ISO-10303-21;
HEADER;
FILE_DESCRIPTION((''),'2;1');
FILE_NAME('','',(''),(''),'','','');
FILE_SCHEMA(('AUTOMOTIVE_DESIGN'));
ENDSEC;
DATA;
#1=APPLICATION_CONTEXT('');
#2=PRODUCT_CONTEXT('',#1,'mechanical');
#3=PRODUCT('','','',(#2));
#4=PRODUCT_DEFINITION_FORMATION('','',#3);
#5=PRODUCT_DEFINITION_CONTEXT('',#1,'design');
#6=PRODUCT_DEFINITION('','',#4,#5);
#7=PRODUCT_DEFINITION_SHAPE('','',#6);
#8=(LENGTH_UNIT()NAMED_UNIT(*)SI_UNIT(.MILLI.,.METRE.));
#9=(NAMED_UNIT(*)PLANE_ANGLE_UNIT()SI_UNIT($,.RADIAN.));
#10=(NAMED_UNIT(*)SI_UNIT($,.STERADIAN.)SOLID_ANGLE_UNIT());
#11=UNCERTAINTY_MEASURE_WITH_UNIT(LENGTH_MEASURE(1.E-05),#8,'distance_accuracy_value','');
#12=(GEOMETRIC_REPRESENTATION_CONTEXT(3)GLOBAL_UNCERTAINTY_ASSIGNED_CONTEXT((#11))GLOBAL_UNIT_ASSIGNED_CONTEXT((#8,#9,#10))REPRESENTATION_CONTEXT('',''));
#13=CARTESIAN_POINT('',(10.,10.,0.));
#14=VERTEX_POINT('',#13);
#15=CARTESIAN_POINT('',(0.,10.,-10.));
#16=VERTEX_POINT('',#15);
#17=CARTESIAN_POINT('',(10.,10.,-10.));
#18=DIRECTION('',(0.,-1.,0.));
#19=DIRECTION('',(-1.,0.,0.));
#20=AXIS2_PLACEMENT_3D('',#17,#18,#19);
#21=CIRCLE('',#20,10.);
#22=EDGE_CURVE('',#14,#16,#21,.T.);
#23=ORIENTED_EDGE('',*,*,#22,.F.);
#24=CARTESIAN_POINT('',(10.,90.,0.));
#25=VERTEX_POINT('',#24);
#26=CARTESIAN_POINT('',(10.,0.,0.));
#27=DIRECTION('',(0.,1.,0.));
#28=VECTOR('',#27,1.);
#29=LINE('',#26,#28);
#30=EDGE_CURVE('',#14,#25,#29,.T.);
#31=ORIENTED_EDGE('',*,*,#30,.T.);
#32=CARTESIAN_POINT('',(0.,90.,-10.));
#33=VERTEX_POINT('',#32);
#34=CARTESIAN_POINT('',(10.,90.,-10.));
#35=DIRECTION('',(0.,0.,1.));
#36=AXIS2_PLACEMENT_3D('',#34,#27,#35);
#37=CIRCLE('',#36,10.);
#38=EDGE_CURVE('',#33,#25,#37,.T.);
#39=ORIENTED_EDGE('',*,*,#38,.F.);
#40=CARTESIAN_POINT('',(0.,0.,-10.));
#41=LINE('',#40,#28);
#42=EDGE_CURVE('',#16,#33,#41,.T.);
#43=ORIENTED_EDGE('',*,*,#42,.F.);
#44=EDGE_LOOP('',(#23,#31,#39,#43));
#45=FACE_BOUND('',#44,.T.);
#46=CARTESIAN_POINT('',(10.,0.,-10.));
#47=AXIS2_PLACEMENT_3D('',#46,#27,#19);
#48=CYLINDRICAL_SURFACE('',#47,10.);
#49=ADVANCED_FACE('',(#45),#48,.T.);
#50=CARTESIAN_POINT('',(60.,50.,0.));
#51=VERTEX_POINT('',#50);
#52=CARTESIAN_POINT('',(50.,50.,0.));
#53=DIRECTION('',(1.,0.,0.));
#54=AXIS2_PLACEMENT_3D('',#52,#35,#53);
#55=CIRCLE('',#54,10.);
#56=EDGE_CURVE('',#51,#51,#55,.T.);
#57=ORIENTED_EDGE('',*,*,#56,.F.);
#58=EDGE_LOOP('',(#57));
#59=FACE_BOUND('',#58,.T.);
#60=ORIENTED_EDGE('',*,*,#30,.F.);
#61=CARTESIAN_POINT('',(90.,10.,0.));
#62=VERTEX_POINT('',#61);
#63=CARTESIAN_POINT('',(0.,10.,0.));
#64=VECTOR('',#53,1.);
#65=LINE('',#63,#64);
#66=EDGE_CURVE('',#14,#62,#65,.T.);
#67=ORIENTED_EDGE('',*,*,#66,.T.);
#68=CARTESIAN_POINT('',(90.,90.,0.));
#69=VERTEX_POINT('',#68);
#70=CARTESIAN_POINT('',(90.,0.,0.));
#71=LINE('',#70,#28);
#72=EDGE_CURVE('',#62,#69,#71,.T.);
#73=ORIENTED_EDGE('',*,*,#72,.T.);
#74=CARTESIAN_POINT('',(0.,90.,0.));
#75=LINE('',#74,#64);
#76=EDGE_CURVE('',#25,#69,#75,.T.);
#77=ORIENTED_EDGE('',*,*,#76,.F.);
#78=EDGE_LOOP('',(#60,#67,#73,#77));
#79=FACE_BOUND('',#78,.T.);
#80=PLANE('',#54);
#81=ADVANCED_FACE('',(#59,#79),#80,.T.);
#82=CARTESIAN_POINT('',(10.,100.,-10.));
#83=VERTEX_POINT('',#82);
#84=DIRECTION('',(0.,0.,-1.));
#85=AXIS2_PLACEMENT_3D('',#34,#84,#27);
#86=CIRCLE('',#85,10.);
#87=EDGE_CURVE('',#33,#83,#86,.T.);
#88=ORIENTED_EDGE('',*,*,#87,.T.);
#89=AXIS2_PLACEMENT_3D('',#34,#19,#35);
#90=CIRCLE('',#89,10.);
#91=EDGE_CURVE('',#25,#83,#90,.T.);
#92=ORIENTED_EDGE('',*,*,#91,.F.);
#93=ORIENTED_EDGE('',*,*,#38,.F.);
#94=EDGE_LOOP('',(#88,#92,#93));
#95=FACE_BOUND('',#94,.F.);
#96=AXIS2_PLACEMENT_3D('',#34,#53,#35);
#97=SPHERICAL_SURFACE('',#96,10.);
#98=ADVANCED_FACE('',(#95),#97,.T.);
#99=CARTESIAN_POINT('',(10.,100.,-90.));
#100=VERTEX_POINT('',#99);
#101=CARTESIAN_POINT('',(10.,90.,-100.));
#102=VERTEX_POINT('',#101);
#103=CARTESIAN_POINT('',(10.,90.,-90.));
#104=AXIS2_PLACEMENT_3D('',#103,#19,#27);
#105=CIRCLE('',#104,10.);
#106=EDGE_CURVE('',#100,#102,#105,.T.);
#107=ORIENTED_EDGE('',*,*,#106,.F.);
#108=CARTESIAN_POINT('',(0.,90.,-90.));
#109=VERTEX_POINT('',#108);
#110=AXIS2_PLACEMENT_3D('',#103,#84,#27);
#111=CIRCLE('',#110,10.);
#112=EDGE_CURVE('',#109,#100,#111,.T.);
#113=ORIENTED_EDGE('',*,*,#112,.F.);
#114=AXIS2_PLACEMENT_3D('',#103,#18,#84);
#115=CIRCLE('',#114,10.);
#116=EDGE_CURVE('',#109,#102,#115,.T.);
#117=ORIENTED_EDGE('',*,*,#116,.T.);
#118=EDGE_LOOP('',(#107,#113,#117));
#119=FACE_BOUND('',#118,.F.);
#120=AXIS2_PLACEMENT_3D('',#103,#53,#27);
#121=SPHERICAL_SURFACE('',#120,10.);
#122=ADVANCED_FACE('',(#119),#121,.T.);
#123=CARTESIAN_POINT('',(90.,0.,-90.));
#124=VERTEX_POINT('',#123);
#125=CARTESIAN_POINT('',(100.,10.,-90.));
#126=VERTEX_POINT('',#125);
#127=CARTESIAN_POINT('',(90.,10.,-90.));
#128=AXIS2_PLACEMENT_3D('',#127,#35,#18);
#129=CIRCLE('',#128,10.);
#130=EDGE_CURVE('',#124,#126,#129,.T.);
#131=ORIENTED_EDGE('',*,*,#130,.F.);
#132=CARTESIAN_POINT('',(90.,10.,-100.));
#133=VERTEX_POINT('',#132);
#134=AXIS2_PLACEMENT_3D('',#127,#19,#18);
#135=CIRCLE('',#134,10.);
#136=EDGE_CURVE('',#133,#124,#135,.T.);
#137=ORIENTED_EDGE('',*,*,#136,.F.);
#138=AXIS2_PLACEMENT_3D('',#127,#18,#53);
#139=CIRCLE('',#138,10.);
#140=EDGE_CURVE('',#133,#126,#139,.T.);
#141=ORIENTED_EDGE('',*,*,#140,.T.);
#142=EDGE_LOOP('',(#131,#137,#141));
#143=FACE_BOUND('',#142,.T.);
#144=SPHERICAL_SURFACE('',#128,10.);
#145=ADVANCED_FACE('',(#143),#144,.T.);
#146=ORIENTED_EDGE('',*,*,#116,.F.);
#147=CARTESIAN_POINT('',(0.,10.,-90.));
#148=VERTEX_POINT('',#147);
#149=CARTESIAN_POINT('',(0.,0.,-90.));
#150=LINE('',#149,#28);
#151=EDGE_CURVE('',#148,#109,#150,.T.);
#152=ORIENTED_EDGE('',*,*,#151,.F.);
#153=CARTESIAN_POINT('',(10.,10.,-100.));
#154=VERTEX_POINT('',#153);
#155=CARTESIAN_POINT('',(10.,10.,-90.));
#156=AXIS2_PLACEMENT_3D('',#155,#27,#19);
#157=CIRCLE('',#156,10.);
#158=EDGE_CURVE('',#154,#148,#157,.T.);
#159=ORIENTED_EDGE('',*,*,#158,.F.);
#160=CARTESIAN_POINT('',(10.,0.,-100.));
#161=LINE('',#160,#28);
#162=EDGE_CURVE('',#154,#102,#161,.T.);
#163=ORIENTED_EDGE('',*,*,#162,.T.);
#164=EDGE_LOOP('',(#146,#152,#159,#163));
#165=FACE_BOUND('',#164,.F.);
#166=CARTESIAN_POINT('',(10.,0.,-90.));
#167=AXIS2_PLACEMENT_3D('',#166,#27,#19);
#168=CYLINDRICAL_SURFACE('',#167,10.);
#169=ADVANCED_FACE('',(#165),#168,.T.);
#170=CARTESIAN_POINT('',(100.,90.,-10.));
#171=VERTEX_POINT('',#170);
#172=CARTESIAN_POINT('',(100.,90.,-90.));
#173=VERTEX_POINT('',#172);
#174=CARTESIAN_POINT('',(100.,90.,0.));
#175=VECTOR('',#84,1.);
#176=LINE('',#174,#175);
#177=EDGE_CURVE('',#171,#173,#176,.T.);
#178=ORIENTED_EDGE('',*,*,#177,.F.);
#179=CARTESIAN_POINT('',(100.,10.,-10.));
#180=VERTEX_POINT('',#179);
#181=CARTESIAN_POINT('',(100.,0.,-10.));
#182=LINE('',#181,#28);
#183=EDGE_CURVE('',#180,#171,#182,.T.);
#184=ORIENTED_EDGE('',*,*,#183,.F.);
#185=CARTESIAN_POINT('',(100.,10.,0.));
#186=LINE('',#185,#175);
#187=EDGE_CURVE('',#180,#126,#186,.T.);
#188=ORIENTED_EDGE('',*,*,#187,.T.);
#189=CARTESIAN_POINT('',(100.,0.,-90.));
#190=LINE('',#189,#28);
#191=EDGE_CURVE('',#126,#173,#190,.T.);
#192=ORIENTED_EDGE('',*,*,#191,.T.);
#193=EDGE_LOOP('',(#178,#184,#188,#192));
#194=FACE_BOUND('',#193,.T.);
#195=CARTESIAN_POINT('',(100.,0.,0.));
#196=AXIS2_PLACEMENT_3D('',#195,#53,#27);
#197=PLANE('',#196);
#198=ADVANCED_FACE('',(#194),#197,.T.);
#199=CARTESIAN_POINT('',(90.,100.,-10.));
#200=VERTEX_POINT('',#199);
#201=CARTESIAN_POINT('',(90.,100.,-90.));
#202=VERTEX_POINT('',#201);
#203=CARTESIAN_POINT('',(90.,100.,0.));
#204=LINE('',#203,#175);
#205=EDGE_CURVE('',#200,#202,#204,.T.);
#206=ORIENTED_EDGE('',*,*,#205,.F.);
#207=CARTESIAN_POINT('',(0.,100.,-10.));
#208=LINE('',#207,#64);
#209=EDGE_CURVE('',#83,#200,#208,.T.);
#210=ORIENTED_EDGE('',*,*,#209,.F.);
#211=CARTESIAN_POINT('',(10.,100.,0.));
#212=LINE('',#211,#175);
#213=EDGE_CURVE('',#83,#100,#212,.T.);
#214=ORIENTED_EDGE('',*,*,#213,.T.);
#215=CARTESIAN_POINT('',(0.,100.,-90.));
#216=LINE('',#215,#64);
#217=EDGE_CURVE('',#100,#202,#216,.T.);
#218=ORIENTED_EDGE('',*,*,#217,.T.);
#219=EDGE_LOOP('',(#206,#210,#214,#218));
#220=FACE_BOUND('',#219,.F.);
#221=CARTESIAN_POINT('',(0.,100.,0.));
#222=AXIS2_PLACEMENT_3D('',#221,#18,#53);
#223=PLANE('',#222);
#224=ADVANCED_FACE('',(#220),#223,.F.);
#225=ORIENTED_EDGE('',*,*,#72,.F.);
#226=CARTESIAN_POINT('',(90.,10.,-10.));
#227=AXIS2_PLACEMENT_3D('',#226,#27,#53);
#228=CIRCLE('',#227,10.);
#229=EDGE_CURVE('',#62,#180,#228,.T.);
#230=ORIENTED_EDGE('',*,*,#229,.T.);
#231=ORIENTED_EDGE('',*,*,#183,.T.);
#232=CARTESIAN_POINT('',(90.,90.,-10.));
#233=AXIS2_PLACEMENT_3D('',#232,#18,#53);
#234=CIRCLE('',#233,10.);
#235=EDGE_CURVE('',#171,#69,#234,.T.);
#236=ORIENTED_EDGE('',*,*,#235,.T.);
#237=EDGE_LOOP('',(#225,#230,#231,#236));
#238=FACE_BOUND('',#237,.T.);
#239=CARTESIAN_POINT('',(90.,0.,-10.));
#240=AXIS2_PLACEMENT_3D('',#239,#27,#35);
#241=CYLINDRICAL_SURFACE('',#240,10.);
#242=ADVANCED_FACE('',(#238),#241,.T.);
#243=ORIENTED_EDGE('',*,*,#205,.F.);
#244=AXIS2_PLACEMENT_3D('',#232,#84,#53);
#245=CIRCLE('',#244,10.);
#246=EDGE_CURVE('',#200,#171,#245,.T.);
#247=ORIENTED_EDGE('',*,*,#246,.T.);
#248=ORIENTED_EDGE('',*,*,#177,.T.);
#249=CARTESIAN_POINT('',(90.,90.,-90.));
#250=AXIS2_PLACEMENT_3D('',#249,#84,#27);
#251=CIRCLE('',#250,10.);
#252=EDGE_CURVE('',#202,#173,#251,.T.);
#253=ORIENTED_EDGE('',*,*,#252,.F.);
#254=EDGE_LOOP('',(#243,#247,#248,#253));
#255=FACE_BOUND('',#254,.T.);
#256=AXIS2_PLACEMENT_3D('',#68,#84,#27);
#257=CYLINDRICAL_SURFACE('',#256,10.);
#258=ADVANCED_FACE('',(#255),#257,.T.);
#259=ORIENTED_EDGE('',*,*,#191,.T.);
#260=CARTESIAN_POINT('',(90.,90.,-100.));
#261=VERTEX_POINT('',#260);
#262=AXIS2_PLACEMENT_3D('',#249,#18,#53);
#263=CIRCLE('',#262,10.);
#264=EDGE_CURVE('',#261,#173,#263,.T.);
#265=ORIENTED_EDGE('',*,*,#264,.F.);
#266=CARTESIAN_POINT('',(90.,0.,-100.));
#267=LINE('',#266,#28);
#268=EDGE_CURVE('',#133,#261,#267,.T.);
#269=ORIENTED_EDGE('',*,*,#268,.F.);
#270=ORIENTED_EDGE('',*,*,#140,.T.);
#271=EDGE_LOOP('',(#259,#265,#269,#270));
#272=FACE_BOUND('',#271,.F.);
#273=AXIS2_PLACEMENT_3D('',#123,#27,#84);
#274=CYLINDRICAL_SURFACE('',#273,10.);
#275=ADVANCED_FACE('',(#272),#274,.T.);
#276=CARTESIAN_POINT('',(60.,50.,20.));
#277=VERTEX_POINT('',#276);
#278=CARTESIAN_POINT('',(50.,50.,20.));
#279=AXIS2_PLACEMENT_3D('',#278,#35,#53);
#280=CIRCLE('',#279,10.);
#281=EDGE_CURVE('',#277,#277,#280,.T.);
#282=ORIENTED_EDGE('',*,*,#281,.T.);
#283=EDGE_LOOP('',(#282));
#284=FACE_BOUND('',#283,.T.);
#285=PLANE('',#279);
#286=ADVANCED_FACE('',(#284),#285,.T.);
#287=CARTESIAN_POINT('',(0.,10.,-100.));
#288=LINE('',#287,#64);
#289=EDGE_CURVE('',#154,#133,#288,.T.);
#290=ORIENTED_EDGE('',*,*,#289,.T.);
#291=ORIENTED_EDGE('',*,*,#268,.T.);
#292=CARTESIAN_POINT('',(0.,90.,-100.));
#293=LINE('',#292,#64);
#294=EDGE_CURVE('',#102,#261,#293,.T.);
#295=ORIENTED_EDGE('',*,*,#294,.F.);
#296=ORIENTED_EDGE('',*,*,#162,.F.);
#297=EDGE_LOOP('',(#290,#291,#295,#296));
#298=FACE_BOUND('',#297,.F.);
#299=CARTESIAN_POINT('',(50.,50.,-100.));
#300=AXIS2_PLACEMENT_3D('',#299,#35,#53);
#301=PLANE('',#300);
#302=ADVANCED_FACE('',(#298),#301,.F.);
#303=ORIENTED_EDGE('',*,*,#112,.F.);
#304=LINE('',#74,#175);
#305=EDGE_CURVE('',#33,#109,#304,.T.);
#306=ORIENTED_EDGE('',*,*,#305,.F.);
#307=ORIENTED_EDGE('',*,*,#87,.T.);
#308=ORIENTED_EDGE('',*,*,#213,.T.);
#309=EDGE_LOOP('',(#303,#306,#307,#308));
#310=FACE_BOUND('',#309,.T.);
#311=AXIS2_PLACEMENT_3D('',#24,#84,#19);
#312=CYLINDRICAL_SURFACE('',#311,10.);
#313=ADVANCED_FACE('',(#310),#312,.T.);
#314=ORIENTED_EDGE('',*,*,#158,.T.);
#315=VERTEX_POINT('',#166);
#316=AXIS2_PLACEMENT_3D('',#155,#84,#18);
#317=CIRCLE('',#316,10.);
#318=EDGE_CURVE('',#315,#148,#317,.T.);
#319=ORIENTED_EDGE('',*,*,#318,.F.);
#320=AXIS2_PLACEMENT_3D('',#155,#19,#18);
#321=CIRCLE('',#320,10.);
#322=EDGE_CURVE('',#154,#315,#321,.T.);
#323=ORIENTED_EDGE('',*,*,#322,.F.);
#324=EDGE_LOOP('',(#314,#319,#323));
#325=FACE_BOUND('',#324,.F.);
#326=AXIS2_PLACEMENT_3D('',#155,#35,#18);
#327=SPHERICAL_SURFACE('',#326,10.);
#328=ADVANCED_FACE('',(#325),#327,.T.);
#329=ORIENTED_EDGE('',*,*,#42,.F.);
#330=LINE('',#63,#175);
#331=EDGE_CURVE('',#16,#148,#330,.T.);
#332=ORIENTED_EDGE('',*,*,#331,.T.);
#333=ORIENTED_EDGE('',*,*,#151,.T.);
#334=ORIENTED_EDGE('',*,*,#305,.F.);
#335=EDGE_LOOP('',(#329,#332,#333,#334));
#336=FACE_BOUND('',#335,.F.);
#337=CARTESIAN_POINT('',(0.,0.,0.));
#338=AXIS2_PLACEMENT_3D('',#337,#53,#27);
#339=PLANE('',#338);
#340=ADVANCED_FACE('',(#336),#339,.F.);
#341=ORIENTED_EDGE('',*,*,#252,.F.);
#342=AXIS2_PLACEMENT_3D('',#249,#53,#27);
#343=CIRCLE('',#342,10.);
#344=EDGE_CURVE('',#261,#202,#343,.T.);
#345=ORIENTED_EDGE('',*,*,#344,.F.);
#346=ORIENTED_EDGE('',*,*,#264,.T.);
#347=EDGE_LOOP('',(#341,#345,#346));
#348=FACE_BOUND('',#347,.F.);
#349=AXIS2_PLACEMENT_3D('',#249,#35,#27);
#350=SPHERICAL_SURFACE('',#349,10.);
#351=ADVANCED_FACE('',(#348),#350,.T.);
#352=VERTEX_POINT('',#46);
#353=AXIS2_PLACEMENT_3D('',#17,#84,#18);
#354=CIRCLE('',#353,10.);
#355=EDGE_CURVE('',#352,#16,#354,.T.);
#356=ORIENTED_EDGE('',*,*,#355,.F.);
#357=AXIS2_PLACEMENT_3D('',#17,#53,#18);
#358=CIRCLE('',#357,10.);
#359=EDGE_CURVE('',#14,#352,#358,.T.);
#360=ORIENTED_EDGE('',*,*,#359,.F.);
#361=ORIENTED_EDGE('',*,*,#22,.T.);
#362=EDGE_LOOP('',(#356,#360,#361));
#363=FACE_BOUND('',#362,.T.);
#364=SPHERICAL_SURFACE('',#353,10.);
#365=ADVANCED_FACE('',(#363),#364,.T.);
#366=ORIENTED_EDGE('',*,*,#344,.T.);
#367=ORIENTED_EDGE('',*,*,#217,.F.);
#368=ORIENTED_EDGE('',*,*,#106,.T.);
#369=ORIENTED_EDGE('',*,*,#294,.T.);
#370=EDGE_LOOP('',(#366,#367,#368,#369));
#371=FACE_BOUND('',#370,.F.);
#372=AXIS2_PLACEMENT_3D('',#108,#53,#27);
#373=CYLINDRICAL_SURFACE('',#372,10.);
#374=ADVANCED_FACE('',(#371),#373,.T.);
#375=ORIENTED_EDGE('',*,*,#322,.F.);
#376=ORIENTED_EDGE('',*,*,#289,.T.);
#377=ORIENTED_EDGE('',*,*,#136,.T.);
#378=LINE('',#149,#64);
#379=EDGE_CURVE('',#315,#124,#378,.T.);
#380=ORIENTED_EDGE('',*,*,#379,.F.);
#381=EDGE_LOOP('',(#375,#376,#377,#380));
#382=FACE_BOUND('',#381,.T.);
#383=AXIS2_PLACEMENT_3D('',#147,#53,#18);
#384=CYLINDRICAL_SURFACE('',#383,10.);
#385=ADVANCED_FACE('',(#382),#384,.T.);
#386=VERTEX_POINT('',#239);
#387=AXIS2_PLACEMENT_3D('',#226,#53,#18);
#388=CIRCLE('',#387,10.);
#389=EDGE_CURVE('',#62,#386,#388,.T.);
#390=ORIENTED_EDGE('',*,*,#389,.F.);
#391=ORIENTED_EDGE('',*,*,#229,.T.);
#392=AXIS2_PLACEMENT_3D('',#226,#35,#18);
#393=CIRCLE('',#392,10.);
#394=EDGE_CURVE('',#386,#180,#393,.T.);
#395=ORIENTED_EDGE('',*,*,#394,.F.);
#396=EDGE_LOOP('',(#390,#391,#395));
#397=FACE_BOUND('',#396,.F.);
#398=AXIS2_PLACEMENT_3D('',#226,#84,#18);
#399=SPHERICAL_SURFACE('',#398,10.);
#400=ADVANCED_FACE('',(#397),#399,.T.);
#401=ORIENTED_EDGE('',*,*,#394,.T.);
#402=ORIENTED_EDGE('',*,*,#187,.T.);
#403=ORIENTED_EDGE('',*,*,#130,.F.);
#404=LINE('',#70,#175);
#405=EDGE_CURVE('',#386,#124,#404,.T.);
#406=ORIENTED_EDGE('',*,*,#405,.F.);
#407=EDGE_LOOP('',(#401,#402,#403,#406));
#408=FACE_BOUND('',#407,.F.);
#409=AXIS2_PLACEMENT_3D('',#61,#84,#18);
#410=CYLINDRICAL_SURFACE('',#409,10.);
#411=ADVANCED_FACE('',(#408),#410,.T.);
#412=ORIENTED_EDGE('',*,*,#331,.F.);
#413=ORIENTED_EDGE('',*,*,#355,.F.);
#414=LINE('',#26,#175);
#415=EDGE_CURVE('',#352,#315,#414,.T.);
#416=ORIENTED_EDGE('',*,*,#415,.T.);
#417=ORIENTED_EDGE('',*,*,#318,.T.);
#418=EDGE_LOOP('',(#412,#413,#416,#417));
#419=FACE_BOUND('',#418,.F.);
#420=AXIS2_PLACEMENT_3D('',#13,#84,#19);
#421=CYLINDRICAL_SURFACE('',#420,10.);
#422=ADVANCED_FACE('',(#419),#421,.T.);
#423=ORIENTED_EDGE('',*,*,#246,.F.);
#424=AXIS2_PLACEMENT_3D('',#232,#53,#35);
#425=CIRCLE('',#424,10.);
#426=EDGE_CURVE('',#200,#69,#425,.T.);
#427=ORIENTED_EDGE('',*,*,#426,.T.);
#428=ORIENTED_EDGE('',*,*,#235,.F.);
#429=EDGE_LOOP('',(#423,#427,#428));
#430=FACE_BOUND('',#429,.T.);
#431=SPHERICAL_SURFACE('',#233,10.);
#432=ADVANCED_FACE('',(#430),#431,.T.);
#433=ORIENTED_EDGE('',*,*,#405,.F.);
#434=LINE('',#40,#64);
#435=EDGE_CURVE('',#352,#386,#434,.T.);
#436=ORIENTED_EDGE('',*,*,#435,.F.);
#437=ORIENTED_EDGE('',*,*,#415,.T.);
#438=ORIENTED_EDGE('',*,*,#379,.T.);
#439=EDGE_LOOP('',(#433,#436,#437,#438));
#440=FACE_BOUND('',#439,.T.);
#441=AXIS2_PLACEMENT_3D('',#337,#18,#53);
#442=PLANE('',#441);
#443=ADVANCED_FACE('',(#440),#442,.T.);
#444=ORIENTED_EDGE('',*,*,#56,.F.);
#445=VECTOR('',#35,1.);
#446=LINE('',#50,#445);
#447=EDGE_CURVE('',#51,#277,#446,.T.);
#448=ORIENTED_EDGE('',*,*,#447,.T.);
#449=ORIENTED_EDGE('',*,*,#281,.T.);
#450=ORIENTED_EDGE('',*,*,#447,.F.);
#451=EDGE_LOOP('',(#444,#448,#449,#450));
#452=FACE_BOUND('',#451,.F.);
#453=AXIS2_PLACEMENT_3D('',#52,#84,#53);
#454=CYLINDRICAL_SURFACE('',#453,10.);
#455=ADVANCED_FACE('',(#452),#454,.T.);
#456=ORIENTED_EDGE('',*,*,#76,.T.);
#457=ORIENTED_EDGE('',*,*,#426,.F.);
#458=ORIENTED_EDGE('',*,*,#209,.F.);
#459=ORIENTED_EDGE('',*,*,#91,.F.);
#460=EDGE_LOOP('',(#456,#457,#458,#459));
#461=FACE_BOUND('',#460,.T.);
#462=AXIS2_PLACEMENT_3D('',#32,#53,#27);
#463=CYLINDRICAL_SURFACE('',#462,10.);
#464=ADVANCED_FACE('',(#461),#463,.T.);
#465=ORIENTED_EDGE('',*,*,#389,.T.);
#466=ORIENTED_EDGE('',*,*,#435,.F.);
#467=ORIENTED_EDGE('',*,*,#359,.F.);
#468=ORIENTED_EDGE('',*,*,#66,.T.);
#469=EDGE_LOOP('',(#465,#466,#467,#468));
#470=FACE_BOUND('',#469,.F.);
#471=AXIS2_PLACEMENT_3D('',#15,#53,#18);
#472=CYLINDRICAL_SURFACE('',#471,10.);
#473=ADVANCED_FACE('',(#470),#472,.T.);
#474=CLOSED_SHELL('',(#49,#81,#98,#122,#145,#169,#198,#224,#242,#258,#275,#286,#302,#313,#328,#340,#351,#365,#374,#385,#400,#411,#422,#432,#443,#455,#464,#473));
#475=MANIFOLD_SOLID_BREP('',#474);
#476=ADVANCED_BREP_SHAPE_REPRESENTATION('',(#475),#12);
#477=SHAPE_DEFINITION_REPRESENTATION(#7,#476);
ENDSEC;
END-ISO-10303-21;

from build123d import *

# Parameters (mm, degrees)
F0_W     = 100
F0_H     = 100
F1_DEPTH = 100
F2_R     = 10
F3_DEPTH = 20
F4_R     = 10


with BuildPart() as f1:
    # F0 (on Top) → F1 (new body)
    with BuildSketch(Plane.XY):
        with Locations((50, 50)):
            Rectangle(F0_W, F0_H)
    extrude(amount=-F1_DEPTH)

    # F2 (on face) → F3 (join)
    with BuildSketch(Plane.XY):
        with Locations((50, 50)):
            Circle(F2_R)
    extrude(amount=F3_DEPTH)

    # F4
    f4_edges = [f1.edges().sort_by_distance(p)[0] for p in [
        (0, 0, -50),
        (100, 0, -50),
        (50, 0, 0),
        (50, 0, -100),
        (100, 50, 0),
        (100, 100, -50),
        (50, 100, 0),
        (0, 50, 0),
        (50, 100, -100),
        (0, 100, -50),
        (0, 50, -100),
        (100, 50, -100),
    ]]
    fillet(f4_edges, radius=F4_R)


solid = f1.part
